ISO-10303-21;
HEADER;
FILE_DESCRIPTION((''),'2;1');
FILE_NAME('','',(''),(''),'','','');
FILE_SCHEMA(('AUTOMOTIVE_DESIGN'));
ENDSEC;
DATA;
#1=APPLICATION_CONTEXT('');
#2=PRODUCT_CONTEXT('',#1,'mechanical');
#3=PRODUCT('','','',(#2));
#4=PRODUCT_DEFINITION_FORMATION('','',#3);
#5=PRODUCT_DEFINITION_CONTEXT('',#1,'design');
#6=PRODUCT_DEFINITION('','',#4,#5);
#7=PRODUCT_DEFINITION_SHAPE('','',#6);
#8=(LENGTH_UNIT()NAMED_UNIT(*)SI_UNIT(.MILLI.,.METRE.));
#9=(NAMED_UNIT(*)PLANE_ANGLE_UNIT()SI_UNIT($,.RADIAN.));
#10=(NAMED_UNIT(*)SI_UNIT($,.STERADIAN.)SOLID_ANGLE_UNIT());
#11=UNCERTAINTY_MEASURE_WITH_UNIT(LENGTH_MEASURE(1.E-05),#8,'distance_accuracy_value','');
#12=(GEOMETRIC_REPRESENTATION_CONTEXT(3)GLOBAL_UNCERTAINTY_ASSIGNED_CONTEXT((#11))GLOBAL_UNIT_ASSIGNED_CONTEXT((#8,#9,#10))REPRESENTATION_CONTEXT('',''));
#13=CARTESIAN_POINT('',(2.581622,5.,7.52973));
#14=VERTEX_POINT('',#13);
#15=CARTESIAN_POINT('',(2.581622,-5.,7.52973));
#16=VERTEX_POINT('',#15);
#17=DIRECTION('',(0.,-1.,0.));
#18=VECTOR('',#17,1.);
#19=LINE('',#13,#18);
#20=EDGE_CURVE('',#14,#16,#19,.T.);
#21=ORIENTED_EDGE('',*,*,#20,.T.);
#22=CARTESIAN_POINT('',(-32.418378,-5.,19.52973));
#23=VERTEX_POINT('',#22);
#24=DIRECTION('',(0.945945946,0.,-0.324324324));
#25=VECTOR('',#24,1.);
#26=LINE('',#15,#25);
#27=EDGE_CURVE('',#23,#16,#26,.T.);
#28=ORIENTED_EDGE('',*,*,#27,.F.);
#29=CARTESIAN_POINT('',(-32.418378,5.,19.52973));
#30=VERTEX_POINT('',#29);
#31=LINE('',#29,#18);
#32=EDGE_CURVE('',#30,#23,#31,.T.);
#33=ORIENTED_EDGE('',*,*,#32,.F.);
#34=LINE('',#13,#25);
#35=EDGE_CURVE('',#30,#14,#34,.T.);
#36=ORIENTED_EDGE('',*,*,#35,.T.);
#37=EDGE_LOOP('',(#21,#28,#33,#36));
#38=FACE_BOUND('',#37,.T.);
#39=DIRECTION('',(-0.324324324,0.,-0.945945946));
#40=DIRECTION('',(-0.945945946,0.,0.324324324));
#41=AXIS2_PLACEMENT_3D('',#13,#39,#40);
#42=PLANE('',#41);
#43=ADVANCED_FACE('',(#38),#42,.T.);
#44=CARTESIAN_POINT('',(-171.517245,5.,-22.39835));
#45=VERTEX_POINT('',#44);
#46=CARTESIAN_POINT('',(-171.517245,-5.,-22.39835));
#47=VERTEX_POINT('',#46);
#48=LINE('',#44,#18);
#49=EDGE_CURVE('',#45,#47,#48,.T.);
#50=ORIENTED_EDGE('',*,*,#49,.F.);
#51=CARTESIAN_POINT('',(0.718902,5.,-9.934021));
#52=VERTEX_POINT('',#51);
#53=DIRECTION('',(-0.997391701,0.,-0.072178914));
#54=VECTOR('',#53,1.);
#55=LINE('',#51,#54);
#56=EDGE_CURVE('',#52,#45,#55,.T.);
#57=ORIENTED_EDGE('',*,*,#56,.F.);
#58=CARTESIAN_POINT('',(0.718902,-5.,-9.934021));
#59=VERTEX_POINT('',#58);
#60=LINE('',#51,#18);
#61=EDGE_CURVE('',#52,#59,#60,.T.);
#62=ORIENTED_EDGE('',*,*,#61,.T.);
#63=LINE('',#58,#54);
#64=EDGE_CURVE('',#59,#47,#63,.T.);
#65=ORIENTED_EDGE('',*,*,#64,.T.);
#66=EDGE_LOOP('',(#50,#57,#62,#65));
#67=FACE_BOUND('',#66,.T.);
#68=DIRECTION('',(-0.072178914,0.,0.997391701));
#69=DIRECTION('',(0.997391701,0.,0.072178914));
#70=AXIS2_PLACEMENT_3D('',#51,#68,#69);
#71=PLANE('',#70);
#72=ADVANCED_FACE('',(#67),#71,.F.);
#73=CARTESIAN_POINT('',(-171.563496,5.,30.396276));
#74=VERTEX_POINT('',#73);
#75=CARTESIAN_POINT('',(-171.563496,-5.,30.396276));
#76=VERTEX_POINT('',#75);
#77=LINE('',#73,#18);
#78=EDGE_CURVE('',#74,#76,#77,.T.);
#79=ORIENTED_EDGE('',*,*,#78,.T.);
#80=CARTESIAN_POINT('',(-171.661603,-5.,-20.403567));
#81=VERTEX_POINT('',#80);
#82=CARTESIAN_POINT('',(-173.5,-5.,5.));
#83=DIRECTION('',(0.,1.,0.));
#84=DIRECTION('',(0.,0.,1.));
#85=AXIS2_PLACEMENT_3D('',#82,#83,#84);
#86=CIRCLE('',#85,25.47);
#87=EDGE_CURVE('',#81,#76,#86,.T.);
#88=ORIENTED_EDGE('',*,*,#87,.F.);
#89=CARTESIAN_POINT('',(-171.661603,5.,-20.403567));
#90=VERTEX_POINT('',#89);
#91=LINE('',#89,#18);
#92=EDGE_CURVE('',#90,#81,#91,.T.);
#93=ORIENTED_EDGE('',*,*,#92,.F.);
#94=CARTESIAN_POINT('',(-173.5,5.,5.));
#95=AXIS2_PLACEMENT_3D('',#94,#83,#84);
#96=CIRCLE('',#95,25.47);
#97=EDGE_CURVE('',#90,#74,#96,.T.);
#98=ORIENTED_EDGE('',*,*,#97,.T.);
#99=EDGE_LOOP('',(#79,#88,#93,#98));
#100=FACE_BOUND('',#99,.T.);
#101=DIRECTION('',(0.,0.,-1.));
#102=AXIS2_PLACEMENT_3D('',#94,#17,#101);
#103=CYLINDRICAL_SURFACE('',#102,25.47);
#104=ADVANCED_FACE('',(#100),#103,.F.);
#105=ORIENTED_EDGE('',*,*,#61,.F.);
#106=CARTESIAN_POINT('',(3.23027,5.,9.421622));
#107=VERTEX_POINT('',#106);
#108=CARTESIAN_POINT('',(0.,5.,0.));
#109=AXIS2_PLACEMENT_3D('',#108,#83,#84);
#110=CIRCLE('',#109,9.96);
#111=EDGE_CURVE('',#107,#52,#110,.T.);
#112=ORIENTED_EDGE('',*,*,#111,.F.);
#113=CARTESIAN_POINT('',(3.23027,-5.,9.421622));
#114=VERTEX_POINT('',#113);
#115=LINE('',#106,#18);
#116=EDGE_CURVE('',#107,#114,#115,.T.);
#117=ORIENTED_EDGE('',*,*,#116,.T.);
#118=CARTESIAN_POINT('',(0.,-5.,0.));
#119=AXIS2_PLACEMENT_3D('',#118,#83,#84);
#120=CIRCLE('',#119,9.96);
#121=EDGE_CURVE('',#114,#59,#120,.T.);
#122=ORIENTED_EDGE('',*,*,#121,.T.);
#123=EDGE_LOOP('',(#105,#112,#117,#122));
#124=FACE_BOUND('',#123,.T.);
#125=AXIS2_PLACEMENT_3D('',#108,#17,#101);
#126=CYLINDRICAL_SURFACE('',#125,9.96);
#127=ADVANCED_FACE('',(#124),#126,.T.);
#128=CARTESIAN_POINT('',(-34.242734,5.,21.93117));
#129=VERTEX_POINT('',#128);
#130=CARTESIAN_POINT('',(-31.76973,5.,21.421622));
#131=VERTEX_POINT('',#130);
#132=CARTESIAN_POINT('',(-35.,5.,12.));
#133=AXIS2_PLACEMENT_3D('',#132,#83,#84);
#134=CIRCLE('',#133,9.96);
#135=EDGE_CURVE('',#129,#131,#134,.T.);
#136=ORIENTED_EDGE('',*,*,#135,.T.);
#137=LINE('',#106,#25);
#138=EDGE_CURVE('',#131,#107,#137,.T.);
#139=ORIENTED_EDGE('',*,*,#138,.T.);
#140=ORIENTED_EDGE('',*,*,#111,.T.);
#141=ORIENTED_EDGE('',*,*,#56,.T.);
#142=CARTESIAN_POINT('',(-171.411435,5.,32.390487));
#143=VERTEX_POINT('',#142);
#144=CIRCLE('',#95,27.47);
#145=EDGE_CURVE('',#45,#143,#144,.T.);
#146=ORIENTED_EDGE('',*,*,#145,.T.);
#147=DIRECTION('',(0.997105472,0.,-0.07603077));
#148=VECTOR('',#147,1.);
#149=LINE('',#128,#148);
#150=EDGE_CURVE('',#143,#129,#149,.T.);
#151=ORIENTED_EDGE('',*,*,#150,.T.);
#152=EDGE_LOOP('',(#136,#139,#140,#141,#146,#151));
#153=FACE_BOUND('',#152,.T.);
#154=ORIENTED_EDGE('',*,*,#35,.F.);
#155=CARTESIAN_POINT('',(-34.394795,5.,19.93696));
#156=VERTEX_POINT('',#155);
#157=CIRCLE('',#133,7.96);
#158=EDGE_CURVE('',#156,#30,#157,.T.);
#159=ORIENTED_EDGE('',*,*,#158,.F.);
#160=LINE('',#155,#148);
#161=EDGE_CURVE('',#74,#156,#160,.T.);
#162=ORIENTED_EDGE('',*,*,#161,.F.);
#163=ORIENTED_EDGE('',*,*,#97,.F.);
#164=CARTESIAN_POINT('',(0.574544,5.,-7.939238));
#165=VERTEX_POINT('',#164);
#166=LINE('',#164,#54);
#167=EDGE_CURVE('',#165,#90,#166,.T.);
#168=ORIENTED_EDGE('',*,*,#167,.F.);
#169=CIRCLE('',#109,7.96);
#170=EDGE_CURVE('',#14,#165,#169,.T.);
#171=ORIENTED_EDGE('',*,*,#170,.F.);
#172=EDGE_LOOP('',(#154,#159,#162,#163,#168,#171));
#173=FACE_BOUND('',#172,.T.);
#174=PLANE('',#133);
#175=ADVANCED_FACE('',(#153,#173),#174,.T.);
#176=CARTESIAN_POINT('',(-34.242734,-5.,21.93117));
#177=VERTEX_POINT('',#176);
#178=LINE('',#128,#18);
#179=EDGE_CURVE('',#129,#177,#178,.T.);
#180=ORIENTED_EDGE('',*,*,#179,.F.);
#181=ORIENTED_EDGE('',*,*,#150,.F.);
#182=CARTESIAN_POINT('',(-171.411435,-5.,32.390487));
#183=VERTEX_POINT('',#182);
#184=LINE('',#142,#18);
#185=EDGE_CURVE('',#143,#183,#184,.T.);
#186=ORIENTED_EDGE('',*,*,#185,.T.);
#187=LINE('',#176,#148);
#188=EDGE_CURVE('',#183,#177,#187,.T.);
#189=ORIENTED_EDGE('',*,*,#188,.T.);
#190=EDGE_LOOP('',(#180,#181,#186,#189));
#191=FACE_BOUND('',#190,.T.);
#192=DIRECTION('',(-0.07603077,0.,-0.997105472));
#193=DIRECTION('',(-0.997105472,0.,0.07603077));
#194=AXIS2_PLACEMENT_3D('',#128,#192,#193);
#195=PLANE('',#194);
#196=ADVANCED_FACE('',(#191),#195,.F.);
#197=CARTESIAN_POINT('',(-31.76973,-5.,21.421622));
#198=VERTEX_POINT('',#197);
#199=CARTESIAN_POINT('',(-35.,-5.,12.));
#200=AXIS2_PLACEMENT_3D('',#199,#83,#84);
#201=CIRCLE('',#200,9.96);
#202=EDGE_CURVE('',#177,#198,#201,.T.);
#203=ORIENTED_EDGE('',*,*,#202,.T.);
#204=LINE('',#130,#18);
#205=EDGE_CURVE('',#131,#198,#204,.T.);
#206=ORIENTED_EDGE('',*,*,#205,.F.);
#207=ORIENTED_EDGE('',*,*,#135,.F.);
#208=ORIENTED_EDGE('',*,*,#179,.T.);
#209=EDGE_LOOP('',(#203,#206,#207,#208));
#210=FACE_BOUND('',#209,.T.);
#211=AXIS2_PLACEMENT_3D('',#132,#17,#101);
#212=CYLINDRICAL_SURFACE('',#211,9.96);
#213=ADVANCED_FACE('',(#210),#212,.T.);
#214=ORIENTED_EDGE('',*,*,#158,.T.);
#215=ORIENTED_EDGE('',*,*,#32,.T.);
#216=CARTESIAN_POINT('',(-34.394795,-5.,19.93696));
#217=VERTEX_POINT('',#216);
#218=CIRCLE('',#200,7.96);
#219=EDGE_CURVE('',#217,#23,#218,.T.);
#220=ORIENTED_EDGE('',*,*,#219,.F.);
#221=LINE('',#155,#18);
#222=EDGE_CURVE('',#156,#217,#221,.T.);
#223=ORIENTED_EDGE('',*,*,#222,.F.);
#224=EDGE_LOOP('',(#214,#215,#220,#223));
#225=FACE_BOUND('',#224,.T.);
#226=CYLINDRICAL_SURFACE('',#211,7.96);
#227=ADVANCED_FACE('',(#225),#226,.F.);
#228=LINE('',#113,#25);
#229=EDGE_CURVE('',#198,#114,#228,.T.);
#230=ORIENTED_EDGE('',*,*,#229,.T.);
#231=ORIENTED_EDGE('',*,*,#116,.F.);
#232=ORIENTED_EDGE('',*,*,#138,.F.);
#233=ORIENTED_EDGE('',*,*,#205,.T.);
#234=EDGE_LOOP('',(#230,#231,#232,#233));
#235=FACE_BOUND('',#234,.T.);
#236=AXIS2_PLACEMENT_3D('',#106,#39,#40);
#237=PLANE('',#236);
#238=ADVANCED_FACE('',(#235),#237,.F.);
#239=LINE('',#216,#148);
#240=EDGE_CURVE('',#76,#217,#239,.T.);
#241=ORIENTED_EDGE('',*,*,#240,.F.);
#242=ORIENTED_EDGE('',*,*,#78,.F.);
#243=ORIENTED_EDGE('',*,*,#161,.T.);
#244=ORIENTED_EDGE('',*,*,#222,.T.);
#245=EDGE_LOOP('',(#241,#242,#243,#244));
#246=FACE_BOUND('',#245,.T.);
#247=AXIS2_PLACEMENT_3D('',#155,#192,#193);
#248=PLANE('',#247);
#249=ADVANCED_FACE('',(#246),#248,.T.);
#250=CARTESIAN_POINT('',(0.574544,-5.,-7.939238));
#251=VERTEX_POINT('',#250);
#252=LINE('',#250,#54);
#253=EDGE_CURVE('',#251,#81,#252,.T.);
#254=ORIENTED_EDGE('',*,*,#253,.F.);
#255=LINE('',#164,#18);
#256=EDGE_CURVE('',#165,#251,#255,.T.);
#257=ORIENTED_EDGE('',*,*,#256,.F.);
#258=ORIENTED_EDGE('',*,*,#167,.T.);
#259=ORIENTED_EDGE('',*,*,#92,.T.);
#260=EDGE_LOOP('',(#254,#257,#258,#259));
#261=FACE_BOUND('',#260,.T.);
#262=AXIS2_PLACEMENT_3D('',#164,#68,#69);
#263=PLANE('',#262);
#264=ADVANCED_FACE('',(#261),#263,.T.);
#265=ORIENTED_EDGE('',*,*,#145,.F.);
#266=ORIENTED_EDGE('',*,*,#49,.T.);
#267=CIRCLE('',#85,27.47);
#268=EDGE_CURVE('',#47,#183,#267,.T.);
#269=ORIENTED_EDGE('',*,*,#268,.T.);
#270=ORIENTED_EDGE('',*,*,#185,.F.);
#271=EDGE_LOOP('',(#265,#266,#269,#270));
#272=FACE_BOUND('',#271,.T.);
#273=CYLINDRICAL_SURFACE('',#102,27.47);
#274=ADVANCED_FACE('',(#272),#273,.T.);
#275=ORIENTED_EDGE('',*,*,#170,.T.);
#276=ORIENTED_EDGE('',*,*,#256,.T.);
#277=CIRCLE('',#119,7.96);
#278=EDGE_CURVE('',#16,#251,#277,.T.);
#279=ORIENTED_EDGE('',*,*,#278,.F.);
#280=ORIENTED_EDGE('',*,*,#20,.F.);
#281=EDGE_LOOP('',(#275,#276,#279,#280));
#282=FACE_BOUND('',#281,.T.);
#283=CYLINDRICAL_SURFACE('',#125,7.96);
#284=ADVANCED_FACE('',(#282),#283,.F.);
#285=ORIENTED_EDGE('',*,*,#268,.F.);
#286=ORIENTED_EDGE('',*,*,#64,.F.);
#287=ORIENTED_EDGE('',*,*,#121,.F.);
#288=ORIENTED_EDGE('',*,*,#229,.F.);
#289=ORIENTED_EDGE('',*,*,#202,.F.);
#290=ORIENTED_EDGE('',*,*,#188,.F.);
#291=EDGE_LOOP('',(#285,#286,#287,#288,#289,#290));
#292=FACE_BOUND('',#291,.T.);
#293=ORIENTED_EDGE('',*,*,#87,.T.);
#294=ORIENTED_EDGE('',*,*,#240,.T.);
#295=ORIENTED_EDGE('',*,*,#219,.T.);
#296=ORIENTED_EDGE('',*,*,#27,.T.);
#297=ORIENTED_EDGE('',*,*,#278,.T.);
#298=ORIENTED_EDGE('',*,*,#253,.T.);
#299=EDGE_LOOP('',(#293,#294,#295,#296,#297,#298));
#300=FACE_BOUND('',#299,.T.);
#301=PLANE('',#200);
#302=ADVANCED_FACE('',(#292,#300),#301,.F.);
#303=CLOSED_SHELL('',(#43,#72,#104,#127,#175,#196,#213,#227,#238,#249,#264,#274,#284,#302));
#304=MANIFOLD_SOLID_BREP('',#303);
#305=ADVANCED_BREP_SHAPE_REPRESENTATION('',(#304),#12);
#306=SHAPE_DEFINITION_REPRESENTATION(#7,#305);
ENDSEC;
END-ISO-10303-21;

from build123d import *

# Parameters (mm, degrees)
SALIENTE_EXTRUIR1_DEPTH = 5


with BuildPart() as part:
    # Croquis1 → Saliente-Extruir1 (new, symmetric)
    with BuildSketch(Plane(origin=(0, 0, 0), x_dir=(-1, 0, 0), z_dir=(0, 1, 0))):
        with BuildLine():
            Line((34.242733527, 21.931170499), (171.411434738, 32.390487311))
            ThreePointArc((171.411434738, 32.390487311), (200.969948773, 5.053051121), (171.517245245, -22.398350016))
            Line((171.517245245, -22.398350016), (-0.718901979, -9.934021338))
            ThreePointArc((-0.718901979, -9.934021338), (-9.877207042, -1.281554151), (-3.23027027, 9.421621622))
            Line((-3.23027027, 9.421621622), (31.76972973, 21.421621622))
            ThreePointArc((31.76972973, 21.421621622), (32.99001932, 21.755079583), (34.242733527, 21.931170499))
        make_face()
        with BuildLine():
            Line((-0.574544152, -7.939237937), (171.661603072, -20.403566614))
            ThreePointArc((171.661603072, -20.403566614), (198.969952502, 5.049188644), (171.563496279, 30.396276368))
            Line((171.563496279, 30.396276368), (34.394795068, 19.936959556))
            ThreePointArc((34.394795068, 19.936959556), (33.393629898, 19.796228261), (32.418378378, 19.52972973))
            Line((32.418378378, 19.52972973), (-2.581621622, 7.52972973))
            ThreePointArc((-2.581621622, 7.52972973), (-7.893832134, -1.02421396), (-0.574544152, -7.939237937))
        make_face(mode=Mode.SUBTRACT)
    extrude(amount=SALIENTE_EXTRUIR1_DEPTH, both=True)


solid = part.part
